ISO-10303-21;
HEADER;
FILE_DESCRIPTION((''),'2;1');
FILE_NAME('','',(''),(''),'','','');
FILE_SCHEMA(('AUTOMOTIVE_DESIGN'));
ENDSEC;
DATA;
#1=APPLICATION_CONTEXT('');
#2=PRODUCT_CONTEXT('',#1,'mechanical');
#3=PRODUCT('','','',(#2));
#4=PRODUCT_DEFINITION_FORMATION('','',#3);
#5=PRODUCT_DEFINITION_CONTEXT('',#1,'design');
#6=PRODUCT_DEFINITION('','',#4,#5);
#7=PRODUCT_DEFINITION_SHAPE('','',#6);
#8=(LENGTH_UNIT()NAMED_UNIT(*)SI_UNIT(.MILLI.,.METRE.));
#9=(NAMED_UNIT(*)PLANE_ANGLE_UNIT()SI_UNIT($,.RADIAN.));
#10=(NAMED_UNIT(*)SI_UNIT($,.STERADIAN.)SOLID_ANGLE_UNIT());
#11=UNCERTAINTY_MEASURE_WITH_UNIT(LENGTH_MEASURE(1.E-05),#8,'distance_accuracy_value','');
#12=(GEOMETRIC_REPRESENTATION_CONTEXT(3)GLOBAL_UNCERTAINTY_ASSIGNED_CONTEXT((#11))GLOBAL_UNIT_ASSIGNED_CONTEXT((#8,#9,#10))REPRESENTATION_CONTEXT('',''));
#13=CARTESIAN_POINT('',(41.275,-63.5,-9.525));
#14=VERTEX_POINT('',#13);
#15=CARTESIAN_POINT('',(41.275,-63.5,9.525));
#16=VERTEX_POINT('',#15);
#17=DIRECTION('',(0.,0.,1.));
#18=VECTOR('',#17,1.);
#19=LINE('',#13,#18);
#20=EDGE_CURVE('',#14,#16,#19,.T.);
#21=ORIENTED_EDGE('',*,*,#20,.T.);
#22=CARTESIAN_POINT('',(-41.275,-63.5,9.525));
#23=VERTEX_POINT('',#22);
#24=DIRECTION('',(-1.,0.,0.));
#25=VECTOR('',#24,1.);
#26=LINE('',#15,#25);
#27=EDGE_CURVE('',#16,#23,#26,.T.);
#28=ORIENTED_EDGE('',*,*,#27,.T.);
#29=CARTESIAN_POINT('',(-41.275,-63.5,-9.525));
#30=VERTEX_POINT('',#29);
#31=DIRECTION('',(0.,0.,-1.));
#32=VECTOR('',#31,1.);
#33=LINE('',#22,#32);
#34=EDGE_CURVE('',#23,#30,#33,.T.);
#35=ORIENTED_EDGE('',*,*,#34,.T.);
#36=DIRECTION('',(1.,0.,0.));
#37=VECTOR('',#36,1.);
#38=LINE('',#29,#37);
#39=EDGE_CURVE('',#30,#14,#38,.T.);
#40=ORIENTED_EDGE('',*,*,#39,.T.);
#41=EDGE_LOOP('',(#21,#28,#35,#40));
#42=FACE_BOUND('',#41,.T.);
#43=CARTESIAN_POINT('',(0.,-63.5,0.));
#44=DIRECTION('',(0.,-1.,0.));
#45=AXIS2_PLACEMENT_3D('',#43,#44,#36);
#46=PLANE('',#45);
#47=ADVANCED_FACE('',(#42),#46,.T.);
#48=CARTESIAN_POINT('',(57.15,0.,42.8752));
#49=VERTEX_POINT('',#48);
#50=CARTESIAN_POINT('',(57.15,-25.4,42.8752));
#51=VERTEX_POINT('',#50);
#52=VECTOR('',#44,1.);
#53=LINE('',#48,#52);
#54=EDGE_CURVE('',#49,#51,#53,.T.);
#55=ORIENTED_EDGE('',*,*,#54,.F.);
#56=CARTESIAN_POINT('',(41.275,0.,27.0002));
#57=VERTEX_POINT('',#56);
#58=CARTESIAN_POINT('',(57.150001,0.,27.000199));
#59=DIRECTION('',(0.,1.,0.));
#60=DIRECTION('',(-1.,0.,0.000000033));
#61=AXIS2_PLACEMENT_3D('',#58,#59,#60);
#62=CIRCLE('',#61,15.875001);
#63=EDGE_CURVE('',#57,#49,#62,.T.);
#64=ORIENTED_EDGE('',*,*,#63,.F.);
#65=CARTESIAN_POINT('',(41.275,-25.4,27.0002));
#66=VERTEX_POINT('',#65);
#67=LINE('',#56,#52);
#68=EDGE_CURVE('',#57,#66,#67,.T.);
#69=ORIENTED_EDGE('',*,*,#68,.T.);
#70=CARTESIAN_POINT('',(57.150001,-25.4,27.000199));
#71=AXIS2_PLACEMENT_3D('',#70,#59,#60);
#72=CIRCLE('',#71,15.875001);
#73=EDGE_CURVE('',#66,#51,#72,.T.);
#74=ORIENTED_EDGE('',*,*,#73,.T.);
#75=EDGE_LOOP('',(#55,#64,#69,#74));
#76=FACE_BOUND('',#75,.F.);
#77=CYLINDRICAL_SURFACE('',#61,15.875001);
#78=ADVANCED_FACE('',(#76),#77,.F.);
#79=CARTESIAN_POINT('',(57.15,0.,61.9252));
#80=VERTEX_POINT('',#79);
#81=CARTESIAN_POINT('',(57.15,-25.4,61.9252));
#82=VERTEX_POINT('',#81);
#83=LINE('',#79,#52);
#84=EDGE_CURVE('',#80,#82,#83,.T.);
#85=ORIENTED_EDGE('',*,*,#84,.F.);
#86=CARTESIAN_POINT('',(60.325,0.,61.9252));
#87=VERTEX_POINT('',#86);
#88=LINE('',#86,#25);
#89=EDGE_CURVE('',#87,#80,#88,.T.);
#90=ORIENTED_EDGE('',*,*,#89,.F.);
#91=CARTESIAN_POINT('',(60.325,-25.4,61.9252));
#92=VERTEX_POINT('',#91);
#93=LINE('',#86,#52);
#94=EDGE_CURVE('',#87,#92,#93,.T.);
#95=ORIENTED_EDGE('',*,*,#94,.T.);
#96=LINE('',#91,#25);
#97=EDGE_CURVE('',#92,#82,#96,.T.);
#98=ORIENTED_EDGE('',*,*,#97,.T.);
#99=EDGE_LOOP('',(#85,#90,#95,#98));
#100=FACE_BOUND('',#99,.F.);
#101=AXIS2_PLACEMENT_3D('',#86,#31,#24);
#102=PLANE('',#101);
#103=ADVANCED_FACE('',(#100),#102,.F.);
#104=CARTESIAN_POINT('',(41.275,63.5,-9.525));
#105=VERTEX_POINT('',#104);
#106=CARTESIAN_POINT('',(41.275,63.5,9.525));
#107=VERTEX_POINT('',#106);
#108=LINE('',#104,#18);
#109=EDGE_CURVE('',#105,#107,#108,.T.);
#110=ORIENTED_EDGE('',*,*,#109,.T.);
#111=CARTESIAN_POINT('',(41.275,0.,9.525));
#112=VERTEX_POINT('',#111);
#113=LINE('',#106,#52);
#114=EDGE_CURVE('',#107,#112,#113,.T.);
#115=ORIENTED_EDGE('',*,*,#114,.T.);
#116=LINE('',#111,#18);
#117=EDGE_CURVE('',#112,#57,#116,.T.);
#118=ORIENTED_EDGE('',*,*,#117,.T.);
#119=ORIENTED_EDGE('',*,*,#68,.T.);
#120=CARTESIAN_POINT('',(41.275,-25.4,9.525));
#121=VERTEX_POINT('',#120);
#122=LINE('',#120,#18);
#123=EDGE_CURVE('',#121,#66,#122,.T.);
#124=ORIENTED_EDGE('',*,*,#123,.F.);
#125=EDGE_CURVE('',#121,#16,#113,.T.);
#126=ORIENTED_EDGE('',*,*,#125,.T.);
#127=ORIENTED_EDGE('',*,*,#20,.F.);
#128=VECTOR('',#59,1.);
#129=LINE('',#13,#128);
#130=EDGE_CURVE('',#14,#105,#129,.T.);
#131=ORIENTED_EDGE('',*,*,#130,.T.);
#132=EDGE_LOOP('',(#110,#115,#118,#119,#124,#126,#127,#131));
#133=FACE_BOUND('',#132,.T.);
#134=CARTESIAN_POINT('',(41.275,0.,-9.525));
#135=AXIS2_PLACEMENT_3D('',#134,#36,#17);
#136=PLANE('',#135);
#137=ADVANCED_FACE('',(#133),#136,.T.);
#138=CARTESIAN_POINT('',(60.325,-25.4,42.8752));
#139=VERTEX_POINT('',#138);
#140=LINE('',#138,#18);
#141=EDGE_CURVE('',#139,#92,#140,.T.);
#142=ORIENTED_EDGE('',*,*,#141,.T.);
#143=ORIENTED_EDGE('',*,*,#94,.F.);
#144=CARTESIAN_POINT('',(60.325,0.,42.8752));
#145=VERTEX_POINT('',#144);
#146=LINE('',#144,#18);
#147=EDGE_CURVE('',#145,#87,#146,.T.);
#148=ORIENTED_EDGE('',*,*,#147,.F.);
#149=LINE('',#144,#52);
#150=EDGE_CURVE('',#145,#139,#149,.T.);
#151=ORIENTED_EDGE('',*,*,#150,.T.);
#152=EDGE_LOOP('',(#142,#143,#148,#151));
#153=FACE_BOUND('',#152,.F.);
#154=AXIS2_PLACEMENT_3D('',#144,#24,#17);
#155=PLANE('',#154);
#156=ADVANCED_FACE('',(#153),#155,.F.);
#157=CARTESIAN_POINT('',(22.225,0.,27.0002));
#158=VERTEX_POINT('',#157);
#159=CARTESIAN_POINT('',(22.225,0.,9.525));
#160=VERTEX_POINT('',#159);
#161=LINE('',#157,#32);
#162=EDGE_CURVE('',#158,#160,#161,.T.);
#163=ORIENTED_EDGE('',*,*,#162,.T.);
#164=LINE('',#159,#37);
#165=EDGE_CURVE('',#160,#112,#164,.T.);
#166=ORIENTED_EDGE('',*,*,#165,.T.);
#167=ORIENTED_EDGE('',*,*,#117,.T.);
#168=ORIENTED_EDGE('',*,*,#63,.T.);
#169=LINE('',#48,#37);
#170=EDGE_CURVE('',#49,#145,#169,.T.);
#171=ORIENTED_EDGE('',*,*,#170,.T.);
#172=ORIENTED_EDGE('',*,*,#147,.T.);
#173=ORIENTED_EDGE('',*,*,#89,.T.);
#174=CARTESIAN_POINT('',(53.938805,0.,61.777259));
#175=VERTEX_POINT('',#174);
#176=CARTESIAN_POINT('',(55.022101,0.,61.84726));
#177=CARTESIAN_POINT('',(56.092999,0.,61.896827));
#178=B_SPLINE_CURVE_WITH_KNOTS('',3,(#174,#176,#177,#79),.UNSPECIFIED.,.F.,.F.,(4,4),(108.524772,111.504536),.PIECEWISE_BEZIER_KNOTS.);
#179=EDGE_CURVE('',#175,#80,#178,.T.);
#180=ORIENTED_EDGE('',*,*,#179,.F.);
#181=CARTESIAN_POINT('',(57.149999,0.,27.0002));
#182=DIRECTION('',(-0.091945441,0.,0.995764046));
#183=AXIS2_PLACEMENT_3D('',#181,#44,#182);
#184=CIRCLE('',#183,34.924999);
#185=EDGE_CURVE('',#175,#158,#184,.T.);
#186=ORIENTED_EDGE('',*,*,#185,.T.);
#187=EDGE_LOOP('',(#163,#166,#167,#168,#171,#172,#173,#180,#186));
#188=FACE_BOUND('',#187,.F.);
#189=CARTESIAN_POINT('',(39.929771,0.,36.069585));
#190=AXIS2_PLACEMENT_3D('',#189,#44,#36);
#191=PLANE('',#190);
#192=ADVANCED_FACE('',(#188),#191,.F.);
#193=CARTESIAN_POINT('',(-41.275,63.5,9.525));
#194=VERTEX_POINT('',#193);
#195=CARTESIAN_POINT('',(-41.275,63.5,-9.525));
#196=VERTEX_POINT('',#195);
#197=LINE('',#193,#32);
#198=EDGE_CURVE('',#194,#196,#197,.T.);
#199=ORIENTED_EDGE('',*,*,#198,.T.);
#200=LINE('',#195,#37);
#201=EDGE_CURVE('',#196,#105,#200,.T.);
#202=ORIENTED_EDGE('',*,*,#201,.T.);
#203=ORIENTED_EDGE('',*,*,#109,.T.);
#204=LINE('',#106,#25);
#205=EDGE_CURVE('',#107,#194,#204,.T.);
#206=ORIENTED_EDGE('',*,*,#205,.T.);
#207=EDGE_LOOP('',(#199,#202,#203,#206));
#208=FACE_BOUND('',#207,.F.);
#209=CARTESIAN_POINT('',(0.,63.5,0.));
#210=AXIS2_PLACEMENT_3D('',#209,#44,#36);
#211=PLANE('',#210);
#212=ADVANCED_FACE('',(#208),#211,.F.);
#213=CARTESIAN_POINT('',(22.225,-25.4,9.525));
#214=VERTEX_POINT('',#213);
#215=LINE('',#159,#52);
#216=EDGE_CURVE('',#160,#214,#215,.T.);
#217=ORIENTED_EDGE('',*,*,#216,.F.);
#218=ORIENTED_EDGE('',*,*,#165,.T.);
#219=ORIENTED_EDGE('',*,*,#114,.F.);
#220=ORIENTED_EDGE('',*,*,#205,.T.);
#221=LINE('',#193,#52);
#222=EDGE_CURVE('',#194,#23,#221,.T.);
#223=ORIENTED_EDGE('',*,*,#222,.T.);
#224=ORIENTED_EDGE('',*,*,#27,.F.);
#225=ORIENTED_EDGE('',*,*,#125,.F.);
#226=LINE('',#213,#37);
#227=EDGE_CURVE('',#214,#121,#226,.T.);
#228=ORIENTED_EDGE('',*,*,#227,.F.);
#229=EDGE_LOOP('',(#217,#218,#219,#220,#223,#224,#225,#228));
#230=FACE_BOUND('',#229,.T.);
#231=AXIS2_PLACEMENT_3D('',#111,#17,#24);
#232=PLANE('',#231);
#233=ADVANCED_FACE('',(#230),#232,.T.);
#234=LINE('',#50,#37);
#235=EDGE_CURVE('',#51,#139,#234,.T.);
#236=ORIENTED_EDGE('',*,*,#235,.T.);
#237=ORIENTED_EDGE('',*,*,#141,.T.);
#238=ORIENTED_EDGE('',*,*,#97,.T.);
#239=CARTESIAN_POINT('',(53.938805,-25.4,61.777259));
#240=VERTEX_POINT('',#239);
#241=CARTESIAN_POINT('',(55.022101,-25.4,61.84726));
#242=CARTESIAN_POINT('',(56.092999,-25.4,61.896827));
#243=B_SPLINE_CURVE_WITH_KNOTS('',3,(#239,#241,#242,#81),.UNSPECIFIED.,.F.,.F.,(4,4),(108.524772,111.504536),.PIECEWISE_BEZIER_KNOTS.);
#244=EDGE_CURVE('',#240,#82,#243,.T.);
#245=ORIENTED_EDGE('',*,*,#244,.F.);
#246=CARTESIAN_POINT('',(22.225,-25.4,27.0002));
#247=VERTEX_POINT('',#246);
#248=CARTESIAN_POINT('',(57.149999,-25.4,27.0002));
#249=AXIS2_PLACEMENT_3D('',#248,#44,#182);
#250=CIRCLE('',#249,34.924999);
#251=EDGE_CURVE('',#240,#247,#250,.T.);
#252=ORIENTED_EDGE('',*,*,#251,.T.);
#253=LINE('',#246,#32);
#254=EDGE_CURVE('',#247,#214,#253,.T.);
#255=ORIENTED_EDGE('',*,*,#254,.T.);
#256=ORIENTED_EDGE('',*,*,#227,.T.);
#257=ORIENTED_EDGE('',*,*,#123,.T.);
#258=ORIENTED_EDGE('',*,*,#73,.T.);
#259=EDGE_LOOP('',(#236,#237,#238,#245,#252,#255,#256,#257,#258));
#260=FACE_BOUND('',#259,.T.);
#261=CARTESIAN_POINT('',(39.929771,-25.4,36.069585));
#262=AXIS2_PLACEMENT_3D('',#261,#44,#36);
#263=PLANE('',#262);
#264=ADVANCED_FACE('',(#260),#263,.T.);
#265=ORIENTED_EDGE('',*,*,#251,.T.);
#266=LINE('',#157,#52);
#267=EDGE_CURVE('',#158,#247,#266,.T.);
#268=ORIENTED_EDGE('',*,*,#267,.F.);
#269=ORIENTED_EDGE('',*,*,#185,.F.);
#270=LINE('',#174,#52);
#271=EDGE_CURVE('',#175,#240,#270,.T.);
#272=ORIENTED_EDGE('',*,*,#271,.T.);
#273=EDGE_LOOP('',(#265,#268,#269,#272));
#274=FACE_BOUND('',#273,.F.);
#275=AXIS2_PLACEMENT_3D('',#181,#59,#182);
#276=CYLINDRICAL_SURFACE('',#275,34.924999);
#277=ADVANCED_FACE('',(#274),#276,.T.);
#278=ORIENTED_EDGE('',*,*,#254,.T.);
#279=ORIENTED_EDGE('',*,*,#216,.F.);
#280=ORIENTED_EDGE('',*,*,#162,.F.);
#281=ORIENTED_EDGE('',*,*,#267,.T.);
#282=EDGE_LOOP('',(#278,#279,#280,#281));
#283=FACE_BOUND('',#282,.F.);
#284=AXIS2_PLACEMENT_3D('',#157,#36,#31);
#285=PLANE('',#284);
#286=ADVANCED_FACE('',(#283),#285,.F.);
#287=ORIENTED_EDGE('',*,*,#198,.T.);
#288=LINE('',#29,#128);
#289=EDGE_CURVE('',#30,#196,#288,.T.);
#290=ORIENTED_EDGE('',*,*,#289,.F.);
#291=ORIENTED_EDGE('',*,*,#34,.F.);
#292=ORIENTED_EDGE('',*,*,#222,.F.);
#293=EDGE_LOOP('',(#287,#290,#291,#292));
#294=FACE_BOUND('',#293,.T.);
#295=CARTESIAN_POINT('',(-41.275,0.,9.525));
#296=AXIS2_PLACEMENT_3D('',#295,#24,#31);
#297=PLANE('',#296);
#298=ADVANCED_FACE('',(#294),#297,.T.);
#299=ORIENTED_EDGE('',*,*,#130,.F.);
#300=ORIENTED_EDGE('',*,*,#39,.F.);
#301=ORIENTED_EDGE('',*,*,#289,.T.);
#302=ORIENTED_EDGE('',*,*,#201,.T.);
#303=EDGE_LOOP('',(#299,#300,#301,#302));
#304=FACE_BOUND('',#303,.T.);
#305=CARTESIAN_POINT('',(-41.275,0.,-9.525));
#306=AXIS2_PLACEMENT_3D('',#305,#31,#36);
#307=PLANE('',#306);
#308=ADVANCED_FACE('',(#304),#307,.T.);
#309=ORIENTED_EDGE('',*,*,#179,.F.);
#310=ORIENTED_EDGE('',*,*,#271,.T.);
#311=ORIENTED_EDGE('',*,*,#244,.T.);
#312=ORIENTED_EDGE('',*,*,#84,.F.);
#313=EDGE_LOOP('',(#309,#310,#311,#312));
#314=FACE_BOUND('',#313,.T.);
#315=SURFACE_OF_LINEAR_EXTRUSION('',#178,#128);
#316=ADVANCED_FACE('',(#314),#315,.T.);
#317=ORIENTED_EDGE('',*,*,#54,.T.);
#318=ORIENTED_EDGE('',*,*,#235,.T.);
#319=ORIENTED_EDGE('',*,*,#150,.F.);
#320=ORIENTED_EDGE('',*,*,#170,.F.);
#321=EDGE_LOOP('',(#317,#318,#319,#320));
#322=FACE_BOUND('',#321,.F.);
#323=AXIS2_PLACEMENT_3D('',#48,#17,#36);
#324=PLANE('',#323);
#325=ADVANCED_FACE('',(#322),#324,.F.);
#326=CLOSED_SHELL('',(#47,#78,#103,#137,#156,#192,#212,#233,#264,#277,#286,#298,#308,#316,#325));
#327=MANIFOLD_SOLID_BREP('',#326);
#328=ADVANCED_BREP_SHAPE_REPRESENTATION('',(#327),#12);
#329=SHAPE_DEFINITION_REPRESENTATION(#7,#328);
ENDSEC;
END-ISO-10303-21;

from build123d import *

# Parameters (mm, degrees)
F1_DEPTH = 63.5
F2_DEPTH = 25.4


with BuildPart() as f1:
    # F0 (on Front) → F1 (new body, symmetric)
    with BuildSketch(Plane.XZ):
        Polygon((41.275, -9.525), (41.275, 9.525), (22.225, 9.525), (-41.275, 9.525), (-41.275, -9.525), align=None)
    extrude(amount=F1_DEPTH, both=True)

    # F0 (on Front) → F2 (join)
    with BuildSketch(Plane.XZ):
        with BuildLine():
            Line((22.225, 9.525), (41.275, 9.525))
            Line((41.275, 9.525), (41.275, 27.0002))
            ThreePointArc((41.275, 27.0002), (45.92468, 38.22552), (57.15, 42.8752))
            Line((57.15, 42.8752), (60.325, 42.8752))
            Line((60.325, 42.8752), (60.325, 61.9252))
            Line((60.325, 61.9252), (57.15, 61.9252))
            add(Edge.make_bspline(
                [(53.938805, 61.777259), (55.022101, 61.84726), (56.092999, 61.896827), (57.15, 61.9252)],
                knots=[108.524772, 108.524772, 108.524772, 108.524772, 111.504536, 111.504536, 111.504536, 111.504536], degree=3))
            ThreePointArc((53.938805, 61.777259), (31.343929, 50.533205), (22.225, 27.0002))
            Line((22.225, 27.0002), (22.225, 9.525))
        make_face()
    extrude(amount=F2_DEPTH)


solid = f1.part
